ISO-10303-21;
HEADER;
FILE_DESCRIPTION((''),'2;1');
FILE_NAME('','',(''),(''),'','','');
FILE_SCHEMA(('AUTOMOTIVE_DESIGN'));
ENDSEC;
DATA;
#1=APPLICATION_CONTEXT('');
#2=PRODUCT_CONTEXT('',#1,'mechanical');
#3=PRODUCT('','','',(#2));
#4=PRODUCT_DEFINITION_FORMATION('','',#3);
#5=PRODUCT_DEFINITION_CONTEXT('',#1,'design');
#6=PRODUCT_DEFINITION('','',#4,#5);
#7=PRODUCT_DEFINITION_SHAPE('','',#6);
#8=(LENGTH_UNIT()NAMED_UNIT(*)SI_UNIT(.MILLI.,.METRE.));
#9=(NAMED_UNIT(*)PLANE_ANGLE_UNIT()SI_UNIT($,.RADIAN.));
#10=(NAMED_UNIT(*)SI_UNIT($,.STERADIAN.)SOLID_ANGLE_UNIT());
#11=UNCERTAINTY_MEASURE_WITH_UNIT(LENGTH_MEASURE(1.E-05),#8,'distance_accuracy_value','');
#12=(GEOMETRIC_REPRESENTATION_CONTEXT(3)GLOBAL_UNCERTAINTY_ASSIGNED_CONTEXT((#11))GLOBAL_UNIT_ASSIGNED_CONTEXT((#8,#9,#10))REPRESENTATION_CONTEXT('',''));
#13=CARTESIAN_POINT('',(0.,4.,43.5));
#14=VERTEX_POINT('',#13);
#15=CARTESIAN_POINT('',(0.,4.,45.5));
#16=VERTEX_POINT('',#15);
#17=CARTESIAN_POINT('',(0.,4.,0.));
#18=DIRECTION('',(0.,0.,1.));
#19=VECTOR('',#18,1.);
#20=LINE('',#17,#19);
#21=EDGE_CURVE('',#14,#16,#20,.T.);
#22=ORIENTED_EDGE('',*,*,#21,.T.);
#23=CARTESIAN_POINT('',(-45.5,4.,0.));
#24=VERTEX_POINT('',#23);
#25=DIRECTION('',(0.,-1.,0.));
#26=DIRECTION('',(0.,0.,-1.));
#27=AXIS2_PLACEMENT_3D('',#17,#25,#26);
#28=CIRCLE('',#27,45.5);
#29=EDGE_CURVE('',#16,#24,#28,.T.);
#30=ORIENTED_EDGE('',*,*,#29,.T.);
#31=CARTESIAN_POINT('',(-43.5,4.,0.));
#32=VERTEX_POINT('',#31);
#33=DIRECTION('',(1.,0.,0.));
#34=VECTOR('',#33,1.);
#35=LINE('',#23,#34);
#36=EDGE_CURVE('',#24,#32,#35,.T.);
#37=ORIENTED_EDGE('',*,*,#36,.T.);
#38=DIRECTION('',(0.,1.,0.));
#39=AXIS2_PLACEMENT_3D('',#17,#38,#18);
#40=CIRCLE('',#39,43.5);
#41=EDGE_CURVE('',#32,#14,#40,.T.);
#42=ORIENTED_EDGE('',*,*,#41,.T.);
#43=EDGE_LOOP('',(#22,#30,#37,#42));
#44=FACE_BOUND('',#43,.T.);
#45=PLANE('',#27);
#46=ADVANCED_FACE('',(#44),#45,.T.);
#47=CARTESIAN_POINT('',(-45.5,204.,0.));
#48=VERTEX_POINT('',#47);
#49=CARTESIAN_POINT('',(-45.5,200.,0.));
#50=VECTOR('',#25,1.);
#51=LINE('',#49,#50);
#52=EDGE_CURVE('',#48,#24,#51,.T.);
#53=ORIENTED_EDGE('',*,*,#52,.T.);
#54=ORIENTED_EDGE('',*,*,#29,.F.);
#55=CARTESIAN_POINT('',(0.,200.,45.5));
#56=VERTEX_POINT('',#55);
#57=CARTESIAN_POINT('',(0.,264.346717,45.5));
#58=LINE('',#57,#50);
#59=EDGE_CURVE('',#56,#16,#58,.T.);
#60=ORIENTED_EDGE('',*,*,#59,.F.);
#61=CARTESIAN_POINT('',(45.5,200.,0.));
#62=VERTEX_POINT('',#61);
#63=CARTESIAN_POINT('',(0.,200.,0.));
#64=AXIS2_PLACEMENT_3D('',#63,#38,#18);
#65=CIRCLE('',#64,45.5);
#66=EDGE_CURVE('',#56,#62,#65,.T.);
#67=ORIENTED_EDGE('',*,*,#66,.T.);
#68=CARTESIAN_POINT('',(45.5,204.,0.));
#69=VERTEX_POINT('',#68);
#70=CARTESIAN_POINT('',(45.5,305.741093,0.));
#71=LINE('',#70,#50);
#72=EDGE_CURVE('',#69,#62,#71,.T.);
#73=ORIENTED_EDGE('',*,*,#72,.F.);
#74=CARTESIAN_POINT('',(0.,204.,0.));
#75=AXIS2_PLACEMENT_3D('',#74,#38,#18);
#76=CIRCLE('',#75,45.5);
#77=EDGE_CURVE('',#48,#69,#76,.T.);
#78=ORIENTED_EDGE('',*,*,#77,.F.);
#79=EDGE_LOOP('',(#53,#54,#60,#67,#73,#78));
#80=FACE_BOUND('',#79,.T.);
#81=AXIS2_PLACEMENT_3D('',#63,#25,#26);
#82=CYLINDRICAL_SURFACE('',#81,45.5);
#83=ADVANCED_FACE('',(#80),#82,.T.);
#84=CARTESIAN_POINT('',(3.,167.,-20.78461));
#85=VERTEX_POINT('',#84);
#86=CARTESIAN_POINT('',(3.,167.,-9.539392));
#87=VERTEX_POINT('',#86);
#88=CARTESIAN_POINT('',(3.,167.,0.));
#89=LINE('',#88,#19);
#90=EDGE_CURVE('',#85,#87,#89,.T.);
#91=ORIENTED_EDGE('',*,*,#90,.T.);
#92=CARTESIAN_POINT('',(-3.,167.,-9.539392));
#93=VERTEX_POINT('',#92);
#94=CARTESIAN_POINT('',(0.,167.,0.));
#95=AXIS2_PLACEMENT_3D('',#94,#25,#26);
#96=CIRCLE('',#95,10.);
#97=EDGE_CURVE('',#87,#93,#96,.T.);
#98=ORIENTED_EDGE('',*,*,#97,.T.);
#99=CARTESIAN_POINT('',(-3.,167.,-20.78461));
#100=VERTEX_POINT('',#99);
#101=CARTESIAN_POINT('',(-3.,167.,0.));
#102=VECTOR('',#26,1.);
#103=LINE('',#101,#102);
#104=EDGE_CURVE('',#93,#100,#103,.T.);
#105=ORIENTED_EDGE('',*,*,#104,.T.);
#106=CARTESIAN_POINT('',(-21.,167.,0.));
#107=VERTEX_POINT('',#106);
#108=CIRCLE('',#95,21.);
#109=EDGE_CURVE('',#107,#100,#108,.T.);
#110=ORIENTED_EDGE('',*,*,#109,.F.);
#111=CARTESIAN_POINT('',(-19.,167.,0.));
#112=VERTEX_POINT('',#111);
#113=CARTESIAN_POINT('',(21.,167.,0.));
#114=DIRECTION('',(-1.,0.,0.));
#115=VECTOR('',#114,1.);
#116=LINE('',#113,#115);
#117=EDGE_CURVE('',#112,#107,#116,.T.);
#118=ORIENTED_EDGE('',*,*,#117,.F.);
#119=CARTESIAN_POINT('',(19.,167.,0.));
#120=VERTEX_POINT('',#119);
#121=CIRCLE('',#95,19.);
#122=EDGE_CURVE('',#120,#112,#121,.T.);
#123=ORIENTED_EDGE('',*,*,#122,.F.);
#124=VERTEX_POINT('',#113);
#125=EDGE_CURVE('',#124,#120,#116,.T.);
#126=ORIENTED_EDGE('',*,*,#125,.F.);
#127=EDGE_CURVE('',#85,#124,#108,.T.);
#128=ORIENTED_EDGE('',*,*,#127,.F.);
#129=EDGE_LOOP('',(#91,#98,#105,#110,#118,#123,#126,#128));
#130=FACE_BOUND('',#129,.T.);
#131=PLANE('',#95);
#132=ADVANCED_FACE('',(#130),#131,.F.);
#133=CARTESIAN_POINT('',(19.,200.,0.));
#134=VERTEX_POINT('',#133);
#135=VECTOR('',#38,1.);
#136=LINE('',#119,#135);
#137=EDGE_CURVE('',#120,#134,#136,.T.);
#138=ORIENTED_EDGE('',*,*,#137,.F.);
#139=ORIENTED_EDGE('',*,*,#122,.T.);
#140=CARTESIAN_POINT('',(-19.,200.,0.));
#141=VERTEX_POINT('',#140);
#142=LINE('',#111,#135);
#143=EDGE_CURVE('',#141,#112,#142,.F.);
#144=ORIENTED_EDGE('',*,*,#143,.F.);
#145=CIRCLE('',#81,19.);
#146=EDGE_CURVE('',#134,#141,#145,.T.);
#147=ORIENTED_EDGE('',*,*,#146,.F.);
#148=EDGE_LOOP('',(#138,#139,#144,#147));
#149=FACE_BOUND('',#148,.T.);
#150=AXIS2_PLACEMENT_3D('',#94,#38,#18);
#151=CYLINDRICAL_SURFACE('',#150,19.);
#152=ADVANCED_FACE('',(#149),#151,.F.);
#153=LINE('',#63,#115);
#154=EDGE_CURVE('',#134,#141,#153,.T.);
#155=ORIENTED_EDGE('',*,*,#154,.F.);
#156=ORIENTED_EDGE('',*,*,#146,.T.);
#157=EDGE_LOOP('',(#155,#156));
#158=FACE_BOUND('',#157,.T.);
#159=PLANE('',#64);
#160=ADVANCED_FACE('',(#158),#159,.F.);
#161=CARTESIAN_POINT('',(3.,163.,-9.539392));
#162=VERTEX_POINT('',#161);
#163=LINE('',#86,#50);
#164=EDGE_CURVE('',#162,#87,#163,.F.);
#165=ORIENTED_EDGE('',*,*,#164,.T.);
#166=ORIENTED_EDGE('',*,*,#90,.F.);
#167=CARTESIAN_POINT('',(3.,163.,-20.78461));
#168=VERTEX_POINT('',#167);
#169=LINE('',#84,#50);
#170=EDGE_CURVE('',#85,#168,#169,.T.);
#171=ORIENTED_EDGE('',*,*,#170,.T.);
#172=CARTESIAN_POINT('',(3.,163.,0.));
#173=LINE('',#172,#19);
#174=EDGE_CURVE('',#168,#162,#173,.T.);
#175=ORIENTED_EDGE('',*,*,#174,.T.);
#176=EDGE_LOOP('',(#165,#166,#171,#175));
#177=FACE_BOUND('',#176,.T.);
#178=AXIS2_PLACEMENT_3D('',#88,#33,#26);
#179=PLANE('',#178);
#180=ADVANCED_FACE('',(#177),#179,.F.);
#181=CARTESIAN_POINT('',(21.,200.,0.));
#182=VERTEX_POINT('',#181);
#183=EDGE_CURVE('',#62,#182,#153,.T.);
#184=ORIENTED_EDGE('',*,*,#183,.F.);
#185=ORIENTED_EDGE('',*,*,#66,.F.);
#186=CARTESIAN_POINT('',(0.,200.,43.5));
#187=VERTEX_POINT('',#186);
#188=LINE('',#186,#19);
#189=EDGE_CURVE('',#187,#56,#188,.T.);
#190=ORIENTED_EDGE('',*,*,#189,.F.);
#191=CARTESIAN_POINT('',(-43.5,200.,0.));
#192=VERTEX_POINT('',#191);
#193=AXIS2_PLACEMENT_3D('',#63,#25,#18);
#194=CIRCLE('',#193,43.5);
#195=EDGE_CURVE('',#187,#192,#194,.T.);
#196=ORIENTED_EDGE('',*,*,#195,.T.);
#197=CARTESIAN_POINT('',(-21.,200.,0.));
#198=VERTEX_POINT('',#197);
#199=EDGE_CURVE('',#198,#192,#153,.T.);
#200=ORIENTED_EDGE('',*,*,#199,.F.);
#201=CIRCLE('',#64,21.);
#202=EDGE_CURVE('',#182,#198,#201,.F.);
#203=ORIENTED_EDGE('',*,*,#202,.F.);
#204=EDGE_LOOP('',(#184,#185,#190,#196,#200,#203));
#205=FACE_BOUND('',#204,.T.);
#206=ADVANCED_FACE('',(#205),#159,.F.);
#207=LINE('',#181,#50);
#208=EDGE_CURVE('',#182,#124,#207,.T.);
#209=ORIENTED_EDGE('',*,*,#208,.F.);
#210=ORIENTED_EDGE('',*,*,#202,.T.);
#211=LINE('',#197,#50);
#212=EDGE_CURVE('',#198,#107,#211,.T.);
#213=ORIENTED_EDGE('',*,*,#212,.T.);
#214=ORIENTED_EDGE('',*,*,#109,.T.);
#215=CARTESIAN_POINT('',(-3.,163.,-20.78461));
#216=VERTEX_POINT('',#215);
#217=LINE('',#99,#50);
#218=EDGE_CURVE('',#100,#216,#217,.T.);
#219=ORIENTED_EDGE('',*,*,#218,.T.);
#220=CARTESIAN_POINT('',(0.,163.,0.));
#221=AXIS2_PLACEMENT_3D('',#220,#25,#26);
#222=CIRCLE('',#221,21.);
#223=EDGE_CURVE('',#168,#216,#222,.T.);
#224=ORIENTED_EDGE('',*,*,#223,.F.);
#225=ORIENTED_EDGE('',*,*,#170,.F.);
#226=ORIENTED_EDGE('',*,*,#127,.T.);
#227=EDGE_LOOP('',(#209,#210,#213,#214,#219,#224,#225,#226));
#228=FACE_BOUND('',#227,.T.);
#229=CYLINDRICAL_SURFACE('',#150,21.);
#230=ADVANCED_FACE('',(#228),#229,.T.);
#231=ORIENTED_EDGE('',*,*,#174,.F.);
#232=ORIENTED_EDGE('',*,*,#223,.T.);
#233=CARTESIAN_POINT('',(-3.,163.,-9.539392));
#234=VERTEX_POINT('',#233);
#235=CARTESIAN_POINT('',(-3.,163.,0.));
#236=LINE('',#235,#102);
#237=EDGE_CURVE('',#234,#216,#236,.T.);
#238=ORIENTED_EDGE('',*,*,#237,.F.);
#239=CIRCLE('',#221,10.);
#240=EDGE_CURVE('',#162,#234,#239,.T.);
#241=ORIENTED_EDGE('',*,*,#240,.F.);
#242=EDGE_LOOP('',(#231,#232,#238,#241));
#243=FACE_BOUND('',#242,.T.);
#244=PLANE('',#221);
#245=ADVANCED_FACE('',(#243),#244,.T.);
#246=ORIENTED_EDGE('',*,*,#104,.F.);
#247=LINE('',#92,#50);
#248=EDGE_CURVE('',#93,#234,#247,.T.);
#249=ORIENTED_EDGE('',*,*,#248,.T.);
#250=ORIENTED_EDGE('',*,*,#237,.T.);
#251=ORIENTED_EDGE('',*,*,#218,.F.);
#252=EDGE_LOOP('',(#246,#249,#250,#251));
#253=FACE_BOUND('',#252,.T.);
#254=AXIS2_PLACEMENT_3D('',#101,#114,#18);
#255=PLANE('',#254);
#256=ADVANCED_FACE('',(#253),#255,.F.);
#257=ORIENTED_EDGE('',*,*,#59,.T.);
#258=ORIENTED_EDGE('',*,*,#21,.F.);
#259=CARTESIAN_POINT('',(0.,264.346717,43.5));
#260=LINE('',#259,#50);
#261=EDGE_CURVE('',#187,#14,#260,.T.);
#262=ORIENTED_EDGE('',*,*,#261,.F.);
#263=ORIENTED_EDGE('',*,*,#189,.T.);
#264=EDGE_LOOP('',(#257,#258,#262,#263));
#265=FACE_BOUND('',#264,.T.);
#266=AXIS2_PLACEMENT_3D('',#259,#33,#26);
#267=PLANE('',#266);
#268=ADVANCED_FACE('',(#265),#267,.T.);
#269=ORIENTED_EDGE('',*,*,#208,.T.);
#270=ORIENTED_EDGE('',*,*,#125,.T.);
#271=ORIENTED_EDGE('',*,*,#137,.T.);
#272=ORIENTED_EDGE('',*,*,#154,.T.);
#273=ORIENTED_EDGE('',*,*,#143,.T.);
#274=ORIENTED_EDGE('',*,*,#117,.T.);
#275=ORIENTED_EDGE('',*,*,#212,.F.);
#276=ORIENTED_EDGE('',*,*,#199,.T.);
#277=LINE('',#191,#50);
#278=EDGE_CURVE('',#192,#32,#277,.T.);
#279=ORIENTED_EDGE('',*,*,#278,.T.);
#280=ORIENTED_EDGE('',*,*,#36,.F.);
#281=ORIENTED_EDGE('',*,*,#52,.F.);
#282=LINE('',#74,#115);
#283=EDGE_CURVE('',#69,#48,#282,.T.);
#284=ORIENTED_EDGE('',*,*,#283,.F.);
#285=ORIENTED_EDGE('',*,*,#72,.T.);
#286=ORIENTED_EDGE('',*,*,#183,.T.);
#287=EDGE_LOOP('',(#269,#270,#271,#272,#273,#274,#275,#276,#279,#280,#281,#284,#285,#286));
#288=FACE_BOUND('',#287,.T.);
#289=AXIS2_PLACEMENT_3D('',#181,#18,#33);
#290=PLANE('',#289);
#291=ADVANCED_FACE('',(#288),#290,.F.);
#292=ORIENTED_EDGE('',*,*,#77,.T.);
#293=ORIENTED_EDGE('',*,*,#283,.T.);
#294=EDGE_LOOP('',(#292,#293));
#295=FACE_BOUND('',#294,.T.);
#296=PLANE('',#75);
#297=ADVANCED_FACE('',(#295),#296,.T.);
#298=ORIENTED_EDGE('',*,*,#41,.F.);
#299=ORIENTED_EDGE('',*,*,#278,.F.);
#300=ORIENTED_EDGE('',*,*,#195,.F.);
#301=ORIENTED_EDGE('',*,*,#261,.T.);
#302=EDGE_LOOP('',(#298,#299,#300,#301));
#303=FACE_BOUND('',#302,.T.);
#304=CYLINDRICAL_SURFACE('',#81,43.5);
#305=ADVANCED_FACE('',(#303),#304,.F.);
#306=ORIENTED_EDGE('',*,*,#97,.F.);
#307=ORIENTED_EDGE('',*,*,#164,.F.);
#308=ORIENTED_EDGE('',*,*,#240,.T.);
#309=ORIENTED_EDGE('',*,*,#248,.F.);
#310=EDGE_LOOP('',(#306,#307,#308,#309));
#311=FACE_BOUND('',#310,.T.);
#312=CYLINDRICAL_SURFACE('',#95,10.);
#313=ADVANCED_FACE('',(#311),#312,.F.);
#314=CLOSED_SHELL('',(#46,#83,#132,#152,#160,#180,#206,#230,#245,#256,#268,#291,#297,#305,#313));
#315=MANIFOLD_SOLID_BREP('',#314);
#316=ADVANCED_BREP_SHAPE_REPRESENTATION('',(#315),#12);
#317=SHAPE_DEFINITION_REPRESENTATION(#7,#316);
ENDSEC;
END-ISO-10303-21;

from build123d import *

# Parameters (mm, degrees)
CROQUIS1_R              = 43.5
CROQUIS1_R_2            = 30
SALIENTE_EXTRUIR1_DEPTH = 4
CROQUIS2_R              = 30
CROQUIS2_R_2            = 20
SALIENTE_EXTRUIR2_DEPTH = 4
CROQUIS3_R              = 30
CROQUIS3_R_2            = 20
CORTAR_EXTRUIR1_DEPTH   = 2
CROQUIS5_R              = 3
CORTAR_EXTRUIR3_DEPTH   = 4
SALIENTE_EXTRUIR3_DEPTH = 200
CROQUIS8_R              = 45.5
SALIENTE_EXTRUIR4_DEPTH = 4
CROQUIS9_R              = 21
CROQUIS9_R_2            = 19
SALIENTE_EXTRUIR5_DEPTH = 33
CORTAR_EXTRUIR6_START   = -33
CORTAR_EXTRUIR6_DEPTH   = 33
CROQUIS11_R             = 21
SALIENTE_EXTRUIR6_DEPTH = 4
CORTAR_EXTRUIR7_START   = -4
CORTAR_EXTRUIR7_DEPTH   = 4
CROQUIS14_R             = 45.5
CORTAR_EXTRUIR9_DEPTH   = 4
CORTAR_EXTRUIR11_DEPTH  = 200
CROQUIS16_R             = 10
CORTAR_EXTRUIR12_DEPTH  = 4
CORTAR_EXTRUIR13_START  = 200
CORTAR_EXTRUIR13_DEPTH  = 4


with BuildPart() as part:
    # Croquis1 → Saliente-Extruir1 (new body)
    with BuildSketch(Plane(origin=(0, 0, 0), x_dir=(1, 0, 0), z_dir=(0, 1, 0))):
        with Locations(Location((0, 0, 0), (0, 0, 270))):
            Circle(CROQUIS1_R)
        with Locations(Location((0, 0, 0), (0, 0, 270))):
            Circle(CROQUIS1_R_2, mode=Mode.SUBTRACT)
    extrude(amount=SALIENTE_EXTRUIR1_DEPTH)

    # Croquis2 → Saliente-Extruir2 (add)
    with BuildSketch(Plane(origin=(0, 0, 0), x_dir=(1, 0, 0), z_dir=(0, 1, 0))):
        Circle(CROQUIS2_R)
        with Locations(Location((0, 0, 0), (0, 0, 270))):
            Circle(CROQUIS2_R_2, mode=Mode.SUBTRACT)
    extrude(amount=SALIENTE_EXTRUIR2_DEPTH)

    # Croquis3 → Cortar-Extruir1 (cut)
    with BuildSketch(Plane(origin=(0, 0, 0), x_dir=(1, 0, 0), z_dir=(0, 1, 0))):
        with Locations(Location((0, 0, 0), (0, 0, 270))):
            Circle(CROQUIS3_R)
        with Locations(Location((0, 0, 0), (0, 0, 270))):
            Circle(CROQUIS3_R_2, mode=Mode.SUBTRACT)
    extrude(amount=CORTAR_EXTRUIR1_DEPTH, mode=Mode.SUBTRACT)

    # Croquis5 → Cortar-Extruir3 (cut)
    with BuildSketch(Plane(origin=(0, 0, 0), x_dir=(1, 0, 0), z_dir=(0, 1, 0))):
        with Locations(Location((0, -37.5, 0), (0, 0, 270))):
            Circle(CROQUIS5_R)
        with Locations(Location((-37.5, 0, 0), (0, 0, 270))):
            Circle(CROQUIS5_R)
        with Locations(Location((0, 37.5, 0), (0, 0, 270))):
            Circle(CROQUIS5_R)
        with Locations(Location((37.5, 0, 0), (0, 0, 270))):
            Circle(CROQUIS5_R)
    extrude(amount=CORTAR_EXTRUIR3_DEPTH, mode=Mode.SUBTRACT)

    # Croquis7 → Saliente-Extruir3 (add)
    with BuildSketch(Plane(origin=(0, 0, 0), x_dir=(1, 0, 0), z_dir=(0, 1, 0))):
        with BuildLine():
            Line((-45.5, 0), (-43.5, 0))
            ThreePointArc((-43.5, 0), (0, -43.5), (43.5, 0))
            Line((43.5, 0), (45.5, 0))
            ThreePointArc((45.5, 0), (0, -45.5), (-45.5, 0))
        make_face()
    extrude(amount=SALIENTE_EXTRUIR3_DEPTH)

    # Croquis8 → Saliente-Extruir4 (add)
    with BuildSketch(Plane(origin=(0, 200, 0), x_dir=(1, 0, 0), z_dir=(0, 1, 0))):
        Circle(CROQUIS8_R)
    extrude(amount=SALIENTE_EXTRUIR4_DEPTH)

    # Croquis9 → Saliente-Extruir5 (add)
    with BuildSketch(Plane.XZ.offset(-200)):
        with Locations(Location((0, 0, 0), (0, 0, 90))):
            Circle(CROQUIS9_R)
        with Locations(Location((0, 0, 0), (0, 0, 270))):
            Circle(CROQUIS9_R_2, mode=Mode.SUBTRACT)
    extrude(amount=SALIENTE_EXTRUIR5_DEPTH)

    # Croquis10 → Cortar-Extruir6 (cut)
    with BuildSketch(Plane.XZ.offset(-167).offset(CORTAR_EXTRUIR6_START)):
        with BuildLine():
            Line((21, 0), (-21, 0))
            ThreePointArc((-21, 0), (0, -21), (21, 0))
        make_face()
    extrude(amount=CORTAR_EXTRUIR6_DEPTH, mode=Mode.SUBTRACT)

    # Croquis11 → Saliente-Extruir6 (add)
    with BuildSketch(Plane.XZ.offset(-167)):
        with Locations(Location((0, 0, 0), (0, 0, 180))):
            Circle(CROQUIS11_R)
    extrude(amount=SALIENTE_EXTRUIR6_DEPTH)

    # Croquis12 → Cortar-Extruir7 (cut)
    with BuildSketch(Plane.XZ.offset(-163).offset(CORTAR_EXTRUIR7_START)):
        with BuildLine():
            Line((-3, 0), (-3, -20.784609691))
            ThreePointArc((-3, -20.784609691), (0, -21), (3, -20.784609691))
            Line((3, -20.784609691), (3, 0))
            ThreePointArc((3, 0), (0, 3), (-3, 0))
        make_face()
    extrude(amount=CORTAR_EXTRUIR7_DEPTH, mode=Mode.SUBTRACT)

    # Croquis14 → Cortar-Extruir9 (cut)
    with BuildSketch(Plane.XZ):
        Circle(CROQUIS14_R)
    extrude(amount=-CORTAR_EXTRUIR9_DEPTH, mode=Mode.SUBTRACT)

    # Croquis15 → Cortar-Extruir11 (cut)
    with BuildSketch(Plane(origin=(0, 0, 0), x_dir=(1, 0, 0), z_dir=(0, 1, 0))):
        with BuildLine():
            Line((43.5, 0), (45.5, 0))
            ThreePointArc((45.5, 0), (32.173358544, -32.173358544), (0, -45.5))
            Line((0, -45.5), (0, -43.5))
            ThreePointArc((0, -43.5), (30.759144982, -30.759144982), (43.5, 0))
        make_face()
    extrude(amount=CORTAR_EXTRUIR11_DEPTH, mode=Mode.SUBTRACT)

    # Croquis16 → Cortar-Extruir12 (cut)
    with BuildSketch(Plane.XZ.offset(-163)):
        Circle(CROQUIS16_R)
    extrude(amount=-CORTAR_EXTRUIR12_DEPTH, mode=Mode.SUBTRACT)

    # Croquis17 → Cortar-Extruir13 (cut)
    with BuildSketch(Plane(origin=(0, 0, 0), x_dir=(1, 0, 0), z_dir=(0, 1, 0)).offset(CORTAR_EXTRUIR13_START)):
        with BuildLine():
            Line((-45.5, 0), (45.5, 0))
            ThreePointArc((45.5, 0), (0, 45.5), (-45.5, 0))
        make_face()
    extrude(amount=CORTAR_EXTRUIR13_DEPTH, mode=Mode.SUBTRACT)


solid = part.part
